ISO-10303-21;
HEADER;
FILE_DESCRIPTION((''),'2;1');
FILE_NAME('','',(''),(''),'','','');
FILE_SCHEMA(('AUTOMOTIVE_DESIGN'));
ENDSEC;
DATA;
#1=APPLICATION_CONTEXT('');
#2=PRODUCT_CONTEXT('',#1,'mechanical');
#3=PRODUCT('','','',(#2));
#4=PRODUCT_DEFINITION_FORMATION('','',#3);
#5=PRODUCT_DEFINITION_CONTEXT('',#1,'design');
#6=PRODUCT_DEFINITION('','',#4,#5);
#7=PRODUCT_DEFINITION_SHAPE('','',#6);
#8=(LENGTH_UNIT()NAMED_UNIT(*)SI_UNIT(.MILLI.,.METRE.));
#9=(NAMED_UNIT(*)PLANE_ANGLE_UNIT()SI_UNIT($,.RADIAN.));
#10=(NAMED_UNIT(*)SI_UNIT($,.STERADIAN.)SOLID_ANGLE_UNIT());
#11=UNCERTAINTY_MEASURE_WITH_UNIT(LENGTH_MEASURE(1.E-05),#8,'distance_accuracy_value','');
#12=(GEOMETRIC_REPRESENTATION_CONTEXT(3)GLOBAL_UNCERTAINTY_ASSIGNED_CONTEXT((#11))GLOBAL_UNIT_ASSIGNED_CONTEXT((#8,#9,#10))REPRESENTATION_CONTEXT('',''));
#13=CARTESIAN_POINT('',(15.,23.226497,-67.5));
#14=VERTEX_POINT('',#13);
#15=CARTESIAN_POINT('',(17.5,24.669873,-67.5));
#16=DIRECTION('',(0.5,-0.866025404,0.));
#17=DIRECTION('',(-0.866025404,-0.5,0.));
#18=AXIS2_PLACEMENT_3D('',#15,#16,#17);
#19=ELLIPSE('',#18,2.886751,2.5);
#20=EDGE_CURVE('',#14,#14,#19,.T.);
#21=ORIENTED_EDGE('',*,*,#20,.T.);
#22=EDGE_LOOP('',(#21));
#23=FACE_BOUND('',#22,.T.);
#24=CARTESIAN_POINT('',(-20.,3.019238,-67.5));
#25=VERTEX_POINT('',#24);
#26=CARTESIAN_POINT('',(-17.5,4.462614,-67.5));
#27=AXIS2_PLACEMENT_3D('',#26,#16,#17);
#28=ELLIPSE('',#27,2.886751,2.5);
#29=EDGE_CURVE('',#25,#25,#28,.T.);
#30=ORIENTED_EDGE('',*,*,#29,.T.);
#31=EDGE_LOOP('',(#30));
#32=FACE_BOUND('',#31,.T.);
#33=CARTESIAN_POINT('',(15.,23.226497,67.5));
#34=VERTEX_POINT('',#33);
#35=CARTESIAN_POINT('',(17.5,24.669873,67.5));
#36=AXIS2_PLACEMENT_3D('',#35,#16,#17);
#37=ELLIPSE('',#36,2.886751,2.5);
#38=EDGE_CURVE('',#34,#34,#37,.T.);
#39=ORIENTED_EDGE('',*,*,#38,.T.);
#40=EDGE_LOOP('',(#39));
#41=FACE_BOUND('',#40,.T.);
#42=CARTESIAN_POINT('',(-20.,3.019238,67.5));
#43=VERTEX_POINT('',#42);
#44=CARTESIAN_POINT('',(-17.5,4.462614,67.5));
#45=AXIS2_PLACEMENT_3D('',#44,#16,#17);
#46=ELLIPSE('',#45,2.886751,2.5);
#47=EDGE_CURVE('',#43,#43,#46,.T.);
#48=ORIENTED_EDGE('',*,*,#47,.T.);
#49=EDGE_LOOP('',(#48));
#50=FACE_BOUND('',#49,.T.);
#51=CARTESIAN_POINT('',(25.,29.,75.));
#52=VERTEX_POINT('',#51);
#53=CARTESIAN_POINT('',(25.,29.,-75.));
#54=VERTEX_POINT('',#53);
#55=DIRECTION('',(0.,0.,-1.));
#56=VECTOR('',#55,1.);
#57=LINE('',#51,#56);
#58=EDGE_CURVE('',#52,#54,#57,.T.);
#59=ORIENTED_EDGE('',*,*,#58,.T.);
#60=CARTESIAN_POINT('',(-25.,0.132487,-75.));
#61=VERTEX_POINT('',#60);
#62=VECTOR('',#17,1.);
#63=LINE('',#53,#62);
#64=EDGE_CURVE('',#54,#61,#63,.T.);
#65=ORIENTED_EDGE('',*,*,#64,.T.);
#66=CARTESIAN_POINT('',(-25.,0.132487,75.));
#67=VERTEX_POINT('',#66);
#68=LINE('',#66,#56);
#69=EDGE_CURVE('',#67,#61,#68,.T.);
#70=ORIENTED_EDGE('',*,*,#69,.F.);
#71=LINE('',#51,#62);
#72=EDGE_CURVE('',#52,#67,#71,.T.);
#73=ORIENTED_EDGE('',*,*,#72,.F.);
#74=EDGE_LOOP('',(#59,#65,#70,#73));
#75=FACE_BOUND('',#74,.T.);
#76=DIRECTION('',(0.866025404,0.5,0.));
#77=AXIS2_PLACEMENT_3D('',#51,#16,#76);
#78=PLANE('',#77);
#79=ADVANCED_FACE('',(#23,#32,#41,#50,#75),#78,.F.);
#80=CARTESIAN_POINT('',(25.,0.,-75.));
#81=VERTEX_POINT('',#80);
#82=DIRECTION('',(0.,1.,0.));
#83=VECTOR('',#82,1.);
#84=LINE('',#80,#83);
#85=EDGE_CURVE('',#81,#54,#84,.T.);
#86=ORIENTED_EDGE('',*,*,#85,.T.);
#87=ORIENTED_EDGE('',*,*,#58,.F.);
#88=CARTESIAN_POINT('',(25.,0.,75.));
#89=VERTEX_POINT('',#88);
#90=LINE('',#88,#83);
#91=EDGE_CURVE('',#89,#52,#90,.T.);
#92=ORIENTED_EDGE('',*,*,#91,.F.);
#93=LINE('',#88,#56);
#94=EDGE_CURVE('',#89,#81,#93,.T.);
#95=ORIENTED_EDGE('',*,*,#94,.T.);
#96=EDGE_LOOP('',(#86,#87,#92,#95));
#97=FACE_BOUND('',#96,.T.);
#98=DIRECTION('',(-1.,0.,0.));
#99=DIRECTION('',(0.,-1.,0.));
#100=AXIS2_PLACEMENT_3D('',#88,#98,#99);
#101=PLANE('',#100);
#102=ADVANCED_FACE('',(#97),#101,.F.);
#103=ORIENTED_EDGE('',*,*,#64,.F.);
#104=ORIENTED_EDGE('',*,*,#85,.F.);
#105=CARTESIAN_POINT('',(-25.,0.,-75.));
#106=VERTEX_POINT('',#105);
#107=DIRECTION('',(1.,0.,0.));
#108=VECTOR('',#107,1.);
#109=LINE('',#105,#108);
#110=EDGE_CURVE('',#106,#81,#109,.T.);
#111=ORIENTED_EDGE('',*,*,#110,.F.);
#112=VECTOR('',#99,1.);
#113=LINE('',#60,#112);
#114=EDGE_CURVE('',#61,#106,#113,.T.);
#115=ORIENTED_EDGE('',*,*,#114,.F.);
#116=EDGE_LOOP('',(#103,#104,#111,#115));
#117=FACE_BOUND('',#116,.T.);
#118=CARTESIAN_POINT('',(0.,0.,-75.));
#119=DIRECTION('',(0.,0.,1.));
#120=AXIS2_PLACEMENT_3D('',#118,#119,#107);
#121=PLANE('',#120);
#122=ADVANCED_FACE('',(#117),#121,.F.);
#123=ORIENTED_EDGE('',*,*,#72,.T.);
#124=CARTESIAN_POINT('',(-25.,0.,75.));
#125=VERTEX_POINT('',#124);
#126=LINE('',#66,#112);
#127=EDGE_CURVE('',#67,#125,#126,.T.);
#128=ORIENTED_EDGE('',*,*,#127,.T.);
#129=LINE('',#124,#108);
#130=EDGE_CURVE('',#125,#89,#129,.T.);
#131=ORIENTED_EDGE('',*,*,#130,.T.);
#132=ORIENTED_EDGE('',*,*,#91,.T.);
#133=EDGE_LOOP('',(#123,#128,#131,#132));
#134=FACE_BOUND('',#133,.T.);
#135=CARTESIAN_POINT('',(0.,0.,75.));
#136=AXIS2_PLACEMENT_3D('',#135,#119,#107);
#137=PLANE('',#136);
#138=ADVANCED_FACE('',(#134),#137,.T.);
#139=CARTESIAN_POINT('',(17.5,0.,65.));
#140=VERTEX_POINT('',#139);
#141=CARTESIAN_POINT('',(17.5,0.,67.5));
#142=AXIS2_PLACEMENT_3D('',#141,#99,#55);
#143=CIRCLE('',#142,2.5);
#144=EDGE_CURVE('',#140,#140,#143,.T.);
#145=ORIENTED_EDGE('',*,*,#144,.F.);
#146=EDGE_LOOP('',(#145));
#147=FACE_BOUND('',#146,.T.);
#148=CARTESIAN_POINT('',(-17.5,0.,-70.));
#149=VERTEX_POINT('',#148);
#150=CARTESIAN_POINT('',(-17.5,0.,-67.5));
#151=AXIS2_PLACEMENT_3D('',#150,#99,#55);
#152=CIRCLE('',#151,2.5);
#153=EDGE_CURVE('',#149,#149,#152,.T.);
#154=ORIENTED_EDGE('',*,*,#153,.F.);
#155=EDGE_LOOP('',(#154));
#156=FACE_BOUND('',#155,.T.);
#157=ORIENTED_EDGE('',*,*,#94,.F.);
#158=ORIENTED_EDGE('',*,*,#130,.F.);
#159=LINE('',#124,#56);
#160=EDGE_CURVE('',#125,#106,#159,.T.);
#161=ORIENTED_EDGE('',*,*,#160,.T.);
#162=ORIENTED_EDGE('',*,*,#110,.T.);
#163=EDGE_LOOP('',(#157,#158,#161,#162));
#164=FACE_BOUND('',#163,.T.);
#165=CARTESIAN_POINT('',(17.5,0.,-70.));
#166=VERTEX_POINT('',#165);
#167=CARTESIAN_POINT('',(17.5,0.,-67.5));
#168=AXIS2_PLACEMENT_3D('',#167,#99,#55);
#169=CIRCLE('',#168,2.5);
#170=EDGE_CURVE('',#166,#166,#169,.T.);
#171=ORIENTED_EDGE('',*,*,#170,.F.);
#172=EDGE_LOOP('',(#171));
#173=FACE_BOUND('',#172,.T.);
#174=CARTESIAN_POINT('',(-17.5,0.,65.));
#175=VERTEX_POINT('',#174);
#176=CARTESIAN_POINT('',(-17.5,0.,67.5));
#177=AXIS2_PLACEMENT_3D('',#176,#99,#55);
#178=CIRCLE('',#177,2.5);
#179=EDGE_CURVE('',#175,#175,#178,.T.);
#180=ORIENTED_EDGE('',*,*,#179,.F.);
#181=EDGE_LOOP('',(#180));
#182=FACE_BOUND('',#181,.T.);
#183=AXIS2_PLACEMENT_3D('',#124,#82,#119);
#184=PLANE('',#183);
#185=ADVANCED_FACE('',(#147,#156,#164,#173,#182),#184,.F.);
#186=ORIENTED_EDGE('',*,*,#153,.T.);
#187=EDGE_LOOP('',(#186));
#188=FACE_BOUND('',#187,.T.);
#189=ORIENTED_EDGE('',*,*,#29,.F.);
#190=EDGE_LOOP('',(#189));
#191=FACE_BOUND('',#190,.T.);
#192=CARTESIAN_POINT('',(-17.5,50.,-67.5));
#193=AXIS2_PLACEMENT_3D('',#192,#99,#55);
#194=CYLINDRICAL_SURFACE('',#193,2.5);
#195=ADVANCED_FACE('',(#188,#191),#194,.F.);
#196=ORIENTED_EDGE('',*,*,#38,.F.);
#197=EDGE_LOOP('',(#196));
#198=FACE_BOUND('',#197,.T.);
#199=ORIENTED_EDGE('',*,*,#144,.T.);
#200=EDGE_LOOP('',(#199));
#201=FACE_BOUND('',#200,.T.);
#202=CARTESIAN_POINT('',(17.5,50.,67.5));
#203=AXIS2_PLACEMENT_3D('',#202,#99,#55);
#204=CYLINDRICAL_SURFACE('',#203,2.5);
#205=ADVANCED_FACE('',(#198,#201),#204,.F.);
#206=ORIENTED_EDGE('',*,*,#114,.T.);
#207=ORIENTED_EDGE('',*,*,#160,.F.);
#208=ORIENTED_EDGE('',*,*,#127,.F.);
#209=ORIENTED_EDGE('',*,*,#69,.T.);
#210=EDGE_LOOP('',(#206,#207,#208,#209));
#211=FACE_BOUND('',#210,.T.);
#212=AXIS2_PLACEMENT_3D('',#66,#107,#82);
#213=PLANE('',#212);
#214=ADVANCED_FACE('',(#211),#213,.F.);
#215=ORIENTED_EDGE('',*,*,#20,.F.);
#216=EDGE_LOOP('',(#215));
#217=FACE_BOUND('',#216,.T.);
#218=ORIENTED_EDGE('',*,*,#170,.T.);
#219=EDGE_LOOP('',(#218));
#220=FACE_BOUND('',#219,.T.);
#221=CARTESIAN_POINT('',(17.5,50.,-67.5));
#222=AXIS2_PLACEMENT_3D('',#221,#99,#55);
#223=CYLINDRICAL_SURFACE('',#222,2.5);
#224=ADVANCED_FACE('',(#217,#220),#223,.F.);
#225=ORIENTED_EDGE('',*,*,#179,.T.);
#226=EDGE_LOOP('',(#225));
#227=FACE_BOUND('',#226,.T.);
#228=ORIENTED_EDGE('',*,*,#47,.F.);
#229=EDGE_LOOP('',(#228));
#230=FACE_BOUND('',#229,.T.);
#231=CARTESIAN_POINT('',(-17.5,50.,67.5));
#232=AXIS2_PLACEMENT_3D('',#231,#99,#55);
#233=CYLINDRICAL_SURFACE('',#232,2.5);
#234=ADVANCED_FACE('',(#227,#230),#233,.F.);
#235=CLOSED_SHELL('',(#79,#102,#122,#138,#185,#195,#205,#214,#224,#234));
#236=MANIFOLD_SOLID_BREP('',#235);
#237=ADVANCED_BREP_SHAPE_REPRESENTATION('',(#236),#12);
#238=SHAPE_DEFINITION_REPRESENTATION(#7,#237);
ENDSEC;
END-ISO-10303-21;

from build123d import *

# Parameters (mm, degrees)
BOSS_EXTRUDE1_DEPTH = 75
SKETCH3_R           = 2.5
CUT_EXTRUDE1_DEPTH  = 50


with BuildPart() as part:
    # Sketch2 → Boss-Extrude1 (new body, symmetric)
    with BuildSketch(Plane.XY):
        Polygon((-25, 0), (25, 0), (25, 29), (-25, 0.132486541), align=None)
    extrude(amount=BOSS_EXTRUDE1_DEPTH, both=True)

    # Sketch3 → Cut-Extrude1 (cut)
    with BuildSketch(Plane.XZ):
        with Locations((-17.5, 67.5)):
            Circle(SKETCH3_R)
        with Locations((17.5, 67.5)):
            Circle(SKETCH3_R)
        with Locations((-17.5, -67.5)):
            Circle(SKETCH3_R)
        with Locations((17.5, -67.5)):
            Circle(SKETCH3_R)
    extrude(amount=-CUT_EXTRUDE1_DEPTH, mode=Mode.SUBTRACT)


solid = part.part
